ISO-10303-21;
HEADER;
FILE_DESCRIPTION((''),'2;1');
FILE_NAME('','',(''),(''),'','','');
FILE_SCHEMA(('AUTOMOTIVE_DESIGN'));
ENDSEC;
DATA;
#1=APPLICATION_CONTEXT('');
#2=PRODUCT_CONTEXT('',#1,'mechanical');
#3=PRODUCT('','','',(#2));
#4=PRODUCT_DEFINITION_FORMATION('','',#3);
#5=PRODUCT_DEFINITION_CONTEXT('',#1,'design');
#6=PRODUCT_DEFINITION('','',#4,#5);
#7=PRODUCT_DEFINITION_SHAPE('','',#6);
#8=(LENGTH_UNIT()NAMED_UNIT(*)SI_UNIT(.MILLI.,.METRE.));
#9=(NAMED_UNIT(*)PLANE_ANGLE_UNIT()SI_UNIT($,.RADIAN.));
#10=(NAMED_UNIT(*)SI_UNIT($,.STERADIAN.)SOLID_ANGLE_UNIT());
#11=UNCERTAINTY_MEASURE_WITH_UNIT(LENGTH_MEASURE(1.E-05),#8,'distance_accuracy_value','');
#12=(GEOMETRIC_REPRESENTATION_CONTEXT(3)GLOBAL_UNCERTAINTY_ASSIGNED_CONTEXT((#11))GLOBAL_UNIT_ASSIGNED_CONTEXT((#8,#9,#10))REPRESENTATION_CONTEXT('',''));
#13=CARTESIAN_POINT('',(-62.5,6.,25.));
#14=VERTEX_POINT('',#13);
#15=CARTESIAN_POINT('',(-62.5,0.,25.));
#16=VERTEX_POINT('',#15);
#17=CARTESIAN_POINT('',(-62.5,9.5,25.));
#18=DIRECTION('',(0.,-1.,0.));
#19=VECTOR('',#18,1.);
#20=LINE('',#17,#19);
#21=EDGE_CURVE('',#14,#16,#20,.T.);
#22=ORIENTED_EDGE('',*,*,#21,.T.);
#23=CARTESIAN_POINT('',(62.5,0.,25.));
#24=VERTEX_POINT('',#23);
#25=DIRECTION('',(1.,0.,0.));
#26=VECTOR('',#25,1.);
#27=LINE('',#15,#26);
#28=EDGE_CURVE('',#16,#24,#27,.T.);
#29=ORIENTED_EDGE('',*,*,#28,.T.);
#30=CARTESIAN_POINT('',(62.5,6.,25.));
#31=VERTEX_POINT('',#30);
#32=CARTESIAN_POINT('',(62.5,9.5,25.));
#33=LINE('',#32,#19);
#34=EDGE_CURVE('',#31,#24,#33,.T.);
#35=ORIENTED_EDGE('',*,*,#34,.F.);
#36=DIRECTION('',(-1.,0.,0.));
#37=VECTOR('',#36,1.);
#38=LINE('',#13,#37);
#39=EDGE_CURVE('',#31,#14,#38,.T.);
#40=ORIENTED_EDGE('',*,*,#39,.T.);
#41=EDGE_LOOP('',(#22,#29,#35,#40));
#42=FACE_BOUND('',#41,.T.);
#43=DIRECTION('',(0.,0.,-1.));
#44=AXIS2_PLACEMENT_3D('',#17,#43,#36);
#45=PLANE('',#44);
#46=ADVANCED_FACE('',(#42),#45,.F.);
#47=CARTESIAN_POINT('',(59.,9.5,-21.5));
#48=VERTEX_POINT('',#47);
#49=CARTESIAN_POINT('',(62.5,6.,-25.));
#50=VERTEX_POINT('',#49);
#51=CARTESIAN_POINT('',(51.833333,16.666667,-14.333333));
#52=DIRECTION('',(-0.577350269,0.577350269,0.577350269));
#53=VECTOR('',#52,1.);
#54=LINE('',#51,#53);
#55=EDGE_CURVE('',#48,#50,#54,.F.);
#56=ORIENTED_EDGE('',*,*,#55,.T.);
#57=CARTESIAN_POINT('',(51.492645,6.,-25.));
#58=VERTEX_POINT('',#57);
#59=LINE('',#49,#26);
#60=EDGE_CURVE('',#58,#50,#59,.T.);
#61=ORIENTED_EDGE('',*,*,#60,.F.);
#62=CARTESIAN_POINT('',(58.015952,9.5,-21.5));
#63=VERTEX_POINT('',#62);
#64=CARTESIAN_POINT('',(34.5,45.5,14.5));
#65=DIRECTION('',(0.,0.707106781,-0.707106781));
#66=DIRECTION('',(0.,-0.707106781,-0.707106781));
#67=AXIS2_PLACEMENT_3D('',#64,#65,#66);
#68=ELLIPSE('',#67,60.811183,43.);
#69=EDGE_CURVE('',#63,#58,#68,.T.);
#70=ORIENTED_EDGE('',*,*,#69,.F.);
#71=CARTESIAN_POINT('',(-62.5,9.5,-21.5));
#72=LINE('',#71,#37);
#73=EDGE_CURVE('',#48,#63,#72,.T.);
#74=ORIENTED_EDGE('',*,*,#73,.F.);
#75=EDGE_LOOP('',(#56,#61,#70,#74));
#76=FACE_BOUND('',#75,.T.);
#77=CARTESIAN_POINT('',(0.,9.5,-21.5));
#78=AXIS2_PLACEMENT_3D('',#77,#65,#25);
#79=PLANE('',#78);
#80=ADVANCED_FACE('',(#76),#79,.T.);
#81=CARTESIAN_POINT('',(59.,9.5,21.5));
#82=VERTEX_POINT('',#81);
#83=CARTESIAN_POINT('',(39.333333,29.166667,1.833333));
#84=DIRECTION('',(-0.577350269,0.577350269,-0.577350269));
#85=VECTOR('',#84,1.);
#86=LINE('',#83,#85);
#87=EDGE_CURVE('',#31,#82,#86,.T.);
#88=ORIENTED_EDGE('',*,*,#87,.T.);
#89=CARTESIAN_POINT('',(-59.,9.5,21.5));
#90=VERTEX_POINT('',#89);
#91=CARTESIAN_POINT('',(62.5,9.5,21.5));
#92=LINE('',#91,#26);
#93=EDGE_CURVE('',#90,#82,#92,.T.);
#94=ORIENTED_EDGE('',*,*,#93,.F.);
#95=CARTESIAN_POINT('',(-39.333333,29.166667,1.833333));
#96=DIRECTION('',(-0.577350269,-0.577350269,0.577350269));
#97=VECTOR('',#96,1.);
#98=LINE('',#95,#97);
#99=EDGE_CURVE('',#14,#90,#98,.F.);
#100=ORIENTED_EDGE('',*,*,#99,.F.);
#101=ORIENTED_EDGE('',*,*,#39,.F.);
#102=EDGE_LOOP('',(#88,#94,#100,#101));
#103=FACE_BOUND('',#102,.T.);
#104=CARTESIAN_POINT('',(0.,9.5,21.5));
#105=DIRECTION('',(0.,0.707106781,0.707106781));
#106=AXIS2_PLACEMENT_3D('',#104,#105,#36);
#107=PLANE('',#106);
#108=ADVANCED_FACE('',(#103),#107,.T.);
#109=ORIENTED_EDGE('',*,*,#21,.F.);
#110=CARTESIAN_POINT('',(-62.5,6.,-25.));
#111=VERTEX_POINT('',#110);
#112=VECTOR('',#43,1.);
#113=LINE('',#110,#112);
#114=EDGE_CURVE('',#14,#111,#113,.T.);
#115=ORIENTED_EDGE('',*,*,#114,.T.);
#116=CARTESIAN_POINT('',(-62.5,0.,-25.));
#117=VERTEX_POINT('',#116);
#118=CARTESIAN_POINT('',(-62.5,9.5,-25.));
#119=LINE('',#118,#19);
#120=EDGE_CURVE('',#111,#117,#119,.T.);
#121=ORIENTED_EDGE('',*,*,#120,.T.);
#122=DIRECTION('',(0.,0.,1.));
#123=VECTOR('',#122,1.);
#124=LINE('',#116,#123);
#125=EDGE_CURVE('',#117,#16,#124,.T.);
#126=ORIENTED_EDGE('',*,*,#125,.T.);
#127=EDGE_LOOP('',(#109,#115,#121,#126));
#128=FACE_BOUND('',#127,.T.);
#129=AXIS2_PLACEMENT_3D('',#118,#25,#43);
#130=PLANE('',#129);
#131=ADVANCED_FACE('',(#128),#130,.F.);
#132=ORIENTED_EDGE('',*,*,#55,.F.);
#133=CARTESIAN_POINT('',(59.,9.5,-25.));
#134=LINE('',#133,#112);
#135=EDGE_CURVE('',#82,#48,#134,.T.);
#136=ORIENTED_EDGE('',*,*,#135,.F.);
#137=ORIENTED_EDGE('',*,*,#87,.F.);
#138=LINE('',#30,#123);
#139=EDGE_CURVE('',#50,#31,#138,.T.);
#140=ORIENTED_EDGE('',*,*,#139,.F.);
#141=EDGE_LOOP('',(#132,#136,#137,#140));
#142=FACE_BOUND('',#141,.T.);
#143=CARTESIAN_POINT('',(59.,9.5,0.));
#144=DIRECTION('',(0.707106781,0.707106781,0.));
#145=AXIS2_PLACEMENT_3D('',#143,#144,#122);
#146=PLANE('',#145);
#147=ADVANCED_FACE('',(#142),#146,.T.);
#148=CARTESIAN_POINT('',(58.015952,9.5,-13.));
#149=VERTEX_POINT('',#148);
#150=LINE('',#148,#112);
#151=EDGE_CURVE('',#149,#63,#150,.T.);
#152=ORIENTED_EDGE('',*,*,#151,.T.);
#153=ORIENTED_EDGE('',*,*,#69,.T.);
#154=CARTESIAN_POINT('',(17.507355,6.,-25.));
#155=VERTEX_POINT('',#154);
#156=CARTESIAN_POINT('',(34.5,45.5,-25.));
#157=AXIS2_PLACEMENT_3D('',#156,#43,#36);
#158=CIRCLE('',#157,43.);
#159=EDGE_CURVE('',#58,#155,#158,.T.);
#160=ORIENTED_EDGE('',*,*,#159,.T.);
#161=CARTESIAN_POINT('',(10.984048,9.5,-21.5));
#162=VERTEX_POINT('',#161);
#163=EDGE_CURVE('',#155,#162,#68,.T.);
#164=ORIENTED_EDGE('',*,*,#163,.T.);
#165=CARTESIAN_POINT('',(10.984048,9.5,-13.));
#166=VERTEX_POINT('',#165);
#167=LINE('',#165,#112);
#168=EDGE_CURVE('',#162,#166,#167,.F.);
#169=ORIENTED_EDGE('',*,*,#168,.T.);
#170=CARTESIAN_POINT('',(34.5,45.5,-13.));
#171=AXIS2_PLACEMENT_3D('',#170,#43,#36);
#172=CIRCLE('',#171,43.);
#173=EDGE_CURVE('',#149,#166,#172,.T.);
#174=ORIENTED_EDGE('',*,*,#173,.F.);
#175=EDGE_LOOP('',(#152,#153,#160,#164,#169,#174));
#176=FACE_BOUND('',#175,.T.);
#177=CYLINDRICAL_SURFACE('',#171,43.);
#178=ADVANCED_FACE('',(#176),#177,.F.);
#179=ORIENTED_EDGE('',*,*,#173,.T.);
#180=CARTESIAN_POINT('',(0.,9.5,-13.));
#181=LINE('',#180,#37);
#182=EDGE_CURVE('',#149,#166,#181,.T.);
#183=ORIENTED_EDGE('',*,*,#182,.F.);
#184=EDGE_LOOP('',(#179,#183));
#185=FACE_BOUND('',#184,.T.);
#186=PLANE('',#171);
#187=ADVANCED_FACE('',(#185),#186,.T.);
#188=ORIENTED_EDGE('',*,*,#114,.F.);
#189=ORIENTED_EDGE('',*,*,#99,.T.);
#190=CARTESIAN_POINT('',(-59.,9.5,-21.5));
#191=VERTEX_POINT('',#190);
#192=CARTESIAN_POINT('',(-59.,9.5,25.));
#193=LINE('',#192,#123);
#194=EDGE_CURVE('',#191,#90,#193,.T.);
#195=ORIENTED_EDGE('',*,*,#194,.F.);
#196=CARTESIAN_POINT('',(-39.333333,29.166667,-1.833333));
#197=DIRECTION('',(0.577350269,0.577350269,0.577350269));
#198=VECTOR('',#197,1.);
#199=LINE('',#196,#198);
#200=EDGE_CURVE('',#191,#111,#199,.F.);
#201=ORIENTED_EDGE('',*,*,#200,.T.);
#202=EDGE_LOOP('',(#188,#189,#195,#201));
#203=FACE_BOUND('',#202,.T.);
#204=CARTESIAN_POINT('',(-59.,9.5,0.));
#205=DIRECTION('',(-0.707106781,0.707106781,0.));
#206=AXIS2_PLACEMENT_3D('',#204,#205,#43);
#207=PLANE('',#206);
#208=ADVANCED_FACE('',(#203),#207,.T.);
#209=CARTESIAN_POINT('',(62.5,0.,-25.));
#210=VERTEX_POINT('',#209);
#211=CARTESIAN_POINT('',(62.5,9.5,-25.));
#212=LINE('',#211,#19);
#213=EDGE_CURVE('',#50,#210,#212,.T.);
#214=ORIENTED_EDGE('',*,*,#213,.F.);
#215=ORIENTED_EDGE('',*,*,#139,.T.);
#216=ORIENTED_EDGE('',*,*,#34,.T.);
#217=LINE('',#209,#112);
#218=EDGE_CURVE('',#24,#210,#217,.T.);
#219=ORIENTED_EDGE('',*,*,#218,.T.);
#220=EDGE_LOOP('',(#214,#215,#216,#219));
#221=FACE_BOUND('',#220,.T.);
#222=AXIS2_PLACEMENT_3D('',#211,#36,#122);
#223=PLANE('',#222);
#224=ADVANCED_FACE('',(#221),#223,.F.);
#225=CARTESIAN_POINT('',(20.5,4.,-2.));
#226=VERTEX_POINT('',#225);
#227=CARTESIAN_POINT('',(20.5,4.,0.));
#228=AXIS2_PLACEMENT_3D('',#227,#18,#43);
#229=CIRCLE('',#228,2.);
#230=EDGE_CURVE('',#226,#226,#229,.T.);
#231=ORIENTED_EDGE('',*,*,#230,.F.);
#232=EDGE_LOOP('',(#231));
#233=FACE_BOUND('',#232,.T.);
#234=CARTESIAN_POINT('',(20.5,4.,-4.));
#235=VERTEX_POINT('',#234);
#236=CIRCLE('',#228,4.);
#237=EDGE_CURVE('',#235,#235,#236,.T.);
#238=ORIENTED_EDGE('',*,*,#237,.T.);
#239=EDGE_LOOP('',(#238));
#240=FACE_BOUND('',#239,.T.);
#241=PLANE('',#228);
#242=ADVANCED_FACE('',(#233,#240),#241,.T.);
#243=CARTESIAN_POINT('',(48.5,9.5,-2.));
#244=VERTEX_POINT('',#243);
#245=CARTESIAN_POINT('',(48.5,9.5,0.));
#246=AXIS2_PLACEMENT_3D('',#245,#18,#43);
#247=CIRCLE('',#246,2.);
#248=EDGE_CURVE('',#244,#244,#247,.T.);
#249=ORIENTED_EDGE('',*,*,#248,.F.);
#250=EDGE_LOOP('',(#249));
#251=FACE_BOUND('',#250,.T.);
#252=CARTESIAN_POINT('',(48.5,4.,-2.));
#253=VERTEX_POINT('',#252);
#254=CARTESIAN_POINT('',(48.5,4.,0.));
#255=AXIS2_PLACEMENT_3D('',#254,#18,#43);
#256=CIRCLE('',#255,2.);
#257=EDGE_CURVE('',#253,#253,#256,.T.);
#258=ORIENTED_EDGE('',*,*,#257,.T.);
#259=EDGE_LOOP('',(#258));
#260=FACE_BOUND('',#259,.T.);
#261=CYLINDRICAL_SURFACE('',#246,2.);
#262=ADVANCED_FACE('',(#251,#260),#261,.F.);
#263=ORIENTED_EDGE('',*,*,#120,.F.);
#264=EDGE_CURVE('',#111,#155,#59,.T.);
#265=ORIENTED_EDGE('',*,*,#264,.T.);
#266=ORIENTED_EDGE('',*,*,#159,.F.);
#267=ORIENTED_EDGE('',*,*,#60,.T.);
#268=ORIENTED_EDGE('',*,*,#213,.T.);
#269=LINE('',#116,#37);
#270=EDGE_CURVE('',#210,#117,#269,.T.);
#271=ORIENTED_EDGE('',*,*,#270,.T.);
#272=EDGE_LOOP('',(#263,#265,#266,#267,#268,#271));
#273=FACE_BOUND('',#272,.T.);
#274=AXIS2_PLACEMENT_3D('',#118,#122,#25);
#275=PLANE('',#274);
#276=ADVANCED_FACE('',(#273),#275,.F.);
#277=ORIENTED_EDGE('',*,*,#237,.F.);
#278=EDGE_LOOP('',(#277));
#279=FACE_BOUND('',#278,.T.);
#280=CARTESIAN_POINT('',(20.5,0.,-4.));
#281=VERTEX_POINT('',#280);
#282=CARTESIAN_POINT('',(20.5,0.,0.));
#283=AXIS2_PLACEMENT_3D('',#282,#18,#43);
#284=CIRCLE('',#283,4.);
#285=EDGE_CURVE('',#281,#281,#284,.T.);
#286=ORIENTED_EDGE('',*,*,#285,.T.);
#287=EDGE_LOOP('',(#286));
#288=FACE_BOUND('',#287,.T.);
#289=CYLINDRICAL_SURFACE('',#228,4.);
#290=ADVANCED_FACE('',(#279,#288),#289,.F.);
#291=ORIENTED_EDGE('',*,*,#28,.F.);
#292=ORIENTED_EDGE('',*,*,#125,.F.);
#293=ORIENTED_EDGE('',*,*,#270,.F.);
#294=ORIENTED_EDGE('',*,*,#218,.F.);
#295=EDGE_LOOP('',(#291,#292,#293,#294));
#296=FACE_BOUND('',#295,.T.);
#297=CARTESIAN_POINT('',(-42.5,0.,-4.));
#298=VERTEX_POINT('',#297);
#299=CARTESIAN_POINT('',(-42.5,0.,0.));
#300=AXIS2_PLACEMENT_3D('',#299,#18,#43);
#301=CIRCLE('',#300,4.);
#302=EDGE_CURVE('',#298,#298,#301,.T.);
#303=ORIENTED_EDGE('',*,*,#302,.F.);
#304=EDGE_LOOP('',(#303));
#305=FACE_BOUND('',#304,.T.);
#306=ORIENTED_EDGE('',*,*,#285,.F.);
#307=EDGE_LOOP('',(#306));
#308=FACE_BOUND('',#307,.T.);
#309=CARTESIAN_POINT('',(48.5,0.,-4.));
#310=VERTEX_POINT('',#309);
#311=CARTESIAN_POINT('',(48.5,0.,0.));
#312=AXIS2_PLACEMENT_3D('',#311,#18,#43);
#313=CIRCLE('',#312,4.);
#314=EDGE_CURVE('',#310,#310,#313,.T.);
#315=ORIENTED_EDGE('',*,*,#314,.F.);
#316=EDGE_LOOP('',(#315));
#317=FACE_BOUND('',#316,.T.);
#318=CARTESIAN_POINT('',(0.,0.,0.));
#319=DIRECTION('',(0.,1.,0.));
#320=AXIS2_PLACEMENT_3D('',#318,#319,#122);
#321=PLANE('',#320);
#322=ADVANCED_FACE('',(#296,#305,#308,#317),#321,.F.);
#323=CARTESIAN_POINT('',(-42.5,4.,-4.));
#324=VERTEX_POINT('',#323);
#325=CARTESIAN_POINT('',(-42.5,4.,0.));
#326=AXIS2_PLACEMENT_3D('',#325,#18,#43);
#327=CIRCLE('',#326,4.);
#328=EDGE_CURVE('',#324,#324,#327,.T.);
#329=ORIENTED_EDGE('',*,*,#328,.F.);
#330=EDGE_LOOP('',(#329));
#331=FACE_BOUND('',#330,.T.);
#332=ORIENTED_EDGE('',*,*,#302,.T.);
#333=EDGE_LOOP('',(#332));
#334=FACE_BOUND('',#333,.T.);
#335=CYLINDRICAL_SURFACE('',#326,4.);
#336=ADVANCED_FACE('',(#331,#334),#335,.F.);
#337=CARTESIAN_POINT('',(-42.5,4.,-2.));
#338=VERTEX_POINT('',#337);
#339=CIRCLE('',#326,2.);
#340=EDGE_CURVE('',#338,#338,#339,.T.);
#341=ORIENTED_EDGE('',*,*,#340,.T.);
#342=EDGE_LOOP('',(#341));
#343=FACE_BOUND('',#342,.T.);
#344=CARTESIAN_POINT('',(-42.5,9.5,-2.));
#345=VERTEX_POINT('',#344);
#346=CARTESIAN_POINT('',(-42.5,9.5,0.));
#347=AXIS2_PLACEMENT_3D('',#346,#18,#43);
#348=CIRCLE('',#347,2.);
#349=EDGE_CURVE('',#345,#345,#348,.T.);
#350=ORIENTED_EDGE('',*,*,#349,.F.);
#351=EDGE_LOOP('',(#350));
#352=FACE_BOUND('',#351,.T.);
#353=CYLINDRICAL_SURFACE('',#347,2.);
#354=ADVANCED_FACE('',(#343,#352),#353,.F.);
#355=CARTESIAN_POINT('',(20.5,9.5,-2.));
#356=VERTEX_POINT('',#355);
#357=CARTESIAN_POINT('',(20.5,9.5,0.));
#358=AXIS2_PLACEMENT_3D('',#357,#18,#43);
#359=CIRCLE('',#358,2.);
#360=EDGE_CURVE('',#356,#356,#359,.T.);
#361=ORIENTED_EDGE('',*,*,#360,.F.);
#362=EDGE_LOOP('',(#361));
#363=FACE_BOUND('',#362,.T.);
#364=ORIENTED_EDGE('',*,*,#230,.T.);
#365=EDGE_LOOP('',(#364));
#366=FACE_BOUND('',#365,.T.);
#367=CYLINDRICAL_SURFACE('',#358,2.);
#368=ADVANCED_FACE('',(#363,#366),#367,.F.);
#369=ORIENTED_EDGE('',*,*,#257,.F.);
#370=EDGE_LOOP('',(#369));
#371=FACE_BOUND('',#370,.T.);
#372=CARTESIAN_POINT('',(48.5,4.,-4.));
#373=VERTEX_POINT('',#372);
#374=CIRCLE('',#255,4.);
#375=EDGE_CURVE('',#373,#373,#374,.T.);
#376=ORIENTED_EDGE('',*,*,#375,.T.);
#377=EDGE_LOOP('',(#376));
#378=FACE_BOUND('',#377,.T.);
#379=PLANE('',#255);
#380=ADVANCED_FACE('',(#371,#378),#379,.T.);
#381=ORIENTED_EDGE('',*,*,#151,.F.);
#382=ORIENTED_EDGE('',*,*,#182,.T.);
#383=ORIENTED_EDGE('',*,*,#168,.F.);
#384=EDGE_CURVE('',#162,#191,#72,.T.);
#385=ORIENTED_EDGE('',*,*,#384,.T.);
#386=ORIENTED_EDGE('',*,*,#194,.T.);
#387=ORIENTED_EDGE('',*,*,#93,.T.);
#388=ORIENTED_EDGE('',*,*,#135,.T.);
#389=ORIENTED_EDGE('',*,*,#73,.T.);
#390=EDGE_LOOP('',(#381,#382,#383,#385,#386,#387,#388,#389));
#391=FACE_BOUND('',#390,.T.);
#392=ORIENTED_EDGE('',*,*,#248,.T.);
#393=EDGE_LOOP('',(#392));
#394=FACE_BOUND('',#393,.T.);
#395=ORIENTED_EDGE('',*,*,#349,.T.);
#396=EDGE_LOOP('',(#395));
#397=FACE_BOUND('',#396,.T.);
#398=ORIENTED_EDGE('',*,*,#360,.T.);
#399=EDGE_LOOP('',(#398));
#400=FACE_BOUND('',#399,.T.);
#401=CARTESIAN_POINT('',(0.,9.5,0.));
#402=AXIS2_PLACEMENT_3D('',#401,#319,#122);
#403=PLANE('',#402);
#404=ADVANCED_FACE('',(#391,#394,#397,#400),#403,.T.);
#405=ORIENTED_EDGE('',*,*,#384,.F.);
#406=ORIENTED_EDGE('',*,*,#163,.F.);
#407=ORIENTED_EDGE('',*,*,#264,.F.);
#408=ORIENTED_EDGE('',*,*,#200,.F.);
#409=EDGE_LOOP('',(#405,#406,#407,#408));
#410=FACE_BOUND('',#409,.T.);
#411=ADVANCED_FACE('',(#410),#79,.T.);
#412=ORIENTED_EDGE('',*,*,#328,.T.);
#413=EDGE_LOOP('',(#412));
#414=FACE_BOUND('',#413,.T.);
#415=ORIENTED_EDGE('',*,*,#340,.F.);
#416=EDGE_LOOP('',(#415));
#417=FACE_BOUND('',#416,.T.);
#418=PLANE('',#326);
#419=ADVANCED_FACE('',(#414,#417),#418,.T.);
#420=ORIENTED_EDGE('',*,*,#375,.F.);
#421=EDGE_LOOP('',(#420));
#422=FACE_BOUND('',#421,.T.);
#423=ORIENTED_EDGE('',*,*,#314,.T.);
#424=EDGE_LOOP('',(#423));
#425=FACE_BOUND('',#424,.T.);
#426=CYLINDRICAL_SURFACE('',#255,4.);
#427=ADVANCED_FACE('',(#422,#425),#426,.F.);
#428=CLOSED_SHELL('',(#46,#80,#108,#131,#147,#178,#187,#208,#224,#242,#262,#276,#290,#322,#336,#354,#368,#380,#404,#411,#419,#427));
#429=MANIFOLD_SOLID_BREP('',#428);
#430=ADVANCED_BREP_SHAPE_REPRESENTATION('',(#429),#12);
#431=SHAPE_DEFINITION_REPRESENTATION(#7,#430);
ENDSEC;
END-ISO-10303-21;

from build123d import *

# Parameters (mm, degrees)
SKETCH1_W           = 125
SKETCH1_H           = 50
BOSS_EXTRUDE1_DEPTH = 9.5
CHAMFER1_SIZE       = 3.5
SKETCH3_R           = 4
CUT_EXTRUDE2_DEPTH  = 4
SKETCH4_R           = 2
CUT_EXTRUDE3_DEPTH  = 68.538877693
SKETCH6_R           = 43
CUT_EXTRUDE4_DEPTH  = 12


with BuildPart() as part:
    # Sketch1 → Boss-Extrude1 (new body)
    with BuildSketch(Plane(origin=(0, 0, 0), x_dir=(1, 0, 0), z_dir=(0, 1, 0))):
        Rectangle(SKETCH1_W, SKETCH1_H)
    extrude(amount=BOSS_EXTRUDE1_DEPTH)

    # Chamfer1
    chamfer1_edges = [part.edges().sort_by_distance(p)[0] for p in [
        (-62.5, 9.5, 0),
        (0, 9.5, 25),
        (62.5, 9.5, 0),
        (0, 9.5, -25),
    ]]
    chamfer(chamfer1_edges, length=CHAMFER1_SIZE)

    # Sketch3 → Cut-Extrude2 (cut)
    with BuildSketch(Plane.XZ):
        with Locations(Location((-42.5, 0, 0), (0, 0, 270))):
            Circle(SKETCH3_R)
        with Locations(Location((20.5, 0, 0), (0, 0, 270))):
            Circle(SKETCH3_R)
        with Locations(Location((48.5, 0, 0), (0, 0, 270))):
            Circle(SKETCH3_R)
    extrude(amount=-CUT_EXTRUDE2_DEPTH, mode=Mode.SUBTRACT)

    # Sketch4 → Cut-Extrude3 (cut, through all)
    with BuildSketch(Plane.XZ.offset(-4)):
        with Locations(Location((-42.5, 0, 0), (0, 0, 270))):
            Circle(SKETCH4_R)
        with Locations(Location((20.5, 0, 0), (0, 0, 270))):
            Circle(SKETCH4_R)
        with Locations(Location((48.5, 0, 0), (0, 0, 270))):
            Circle(SKETCH4_R)
    extrude(amount=-CUT_EXTRUDE3_DEPTH, mode=Mode.SUBTRACT)

    # Sketch6 → Cut-Extrude4 (cut)
    with BuildSketch(Plane(origin=(0, 0, -25), x_dir=(-1, 0, 0), z_dir=(0, 0, -1))):
        with Locations((-34.5, 45.5)):
            Circle(SKETCH6_R)
    extrude(amount=-CUT_EXTRUDE4_DEPTH, mode=Mode.SUBTRACT)


solid = part.part
